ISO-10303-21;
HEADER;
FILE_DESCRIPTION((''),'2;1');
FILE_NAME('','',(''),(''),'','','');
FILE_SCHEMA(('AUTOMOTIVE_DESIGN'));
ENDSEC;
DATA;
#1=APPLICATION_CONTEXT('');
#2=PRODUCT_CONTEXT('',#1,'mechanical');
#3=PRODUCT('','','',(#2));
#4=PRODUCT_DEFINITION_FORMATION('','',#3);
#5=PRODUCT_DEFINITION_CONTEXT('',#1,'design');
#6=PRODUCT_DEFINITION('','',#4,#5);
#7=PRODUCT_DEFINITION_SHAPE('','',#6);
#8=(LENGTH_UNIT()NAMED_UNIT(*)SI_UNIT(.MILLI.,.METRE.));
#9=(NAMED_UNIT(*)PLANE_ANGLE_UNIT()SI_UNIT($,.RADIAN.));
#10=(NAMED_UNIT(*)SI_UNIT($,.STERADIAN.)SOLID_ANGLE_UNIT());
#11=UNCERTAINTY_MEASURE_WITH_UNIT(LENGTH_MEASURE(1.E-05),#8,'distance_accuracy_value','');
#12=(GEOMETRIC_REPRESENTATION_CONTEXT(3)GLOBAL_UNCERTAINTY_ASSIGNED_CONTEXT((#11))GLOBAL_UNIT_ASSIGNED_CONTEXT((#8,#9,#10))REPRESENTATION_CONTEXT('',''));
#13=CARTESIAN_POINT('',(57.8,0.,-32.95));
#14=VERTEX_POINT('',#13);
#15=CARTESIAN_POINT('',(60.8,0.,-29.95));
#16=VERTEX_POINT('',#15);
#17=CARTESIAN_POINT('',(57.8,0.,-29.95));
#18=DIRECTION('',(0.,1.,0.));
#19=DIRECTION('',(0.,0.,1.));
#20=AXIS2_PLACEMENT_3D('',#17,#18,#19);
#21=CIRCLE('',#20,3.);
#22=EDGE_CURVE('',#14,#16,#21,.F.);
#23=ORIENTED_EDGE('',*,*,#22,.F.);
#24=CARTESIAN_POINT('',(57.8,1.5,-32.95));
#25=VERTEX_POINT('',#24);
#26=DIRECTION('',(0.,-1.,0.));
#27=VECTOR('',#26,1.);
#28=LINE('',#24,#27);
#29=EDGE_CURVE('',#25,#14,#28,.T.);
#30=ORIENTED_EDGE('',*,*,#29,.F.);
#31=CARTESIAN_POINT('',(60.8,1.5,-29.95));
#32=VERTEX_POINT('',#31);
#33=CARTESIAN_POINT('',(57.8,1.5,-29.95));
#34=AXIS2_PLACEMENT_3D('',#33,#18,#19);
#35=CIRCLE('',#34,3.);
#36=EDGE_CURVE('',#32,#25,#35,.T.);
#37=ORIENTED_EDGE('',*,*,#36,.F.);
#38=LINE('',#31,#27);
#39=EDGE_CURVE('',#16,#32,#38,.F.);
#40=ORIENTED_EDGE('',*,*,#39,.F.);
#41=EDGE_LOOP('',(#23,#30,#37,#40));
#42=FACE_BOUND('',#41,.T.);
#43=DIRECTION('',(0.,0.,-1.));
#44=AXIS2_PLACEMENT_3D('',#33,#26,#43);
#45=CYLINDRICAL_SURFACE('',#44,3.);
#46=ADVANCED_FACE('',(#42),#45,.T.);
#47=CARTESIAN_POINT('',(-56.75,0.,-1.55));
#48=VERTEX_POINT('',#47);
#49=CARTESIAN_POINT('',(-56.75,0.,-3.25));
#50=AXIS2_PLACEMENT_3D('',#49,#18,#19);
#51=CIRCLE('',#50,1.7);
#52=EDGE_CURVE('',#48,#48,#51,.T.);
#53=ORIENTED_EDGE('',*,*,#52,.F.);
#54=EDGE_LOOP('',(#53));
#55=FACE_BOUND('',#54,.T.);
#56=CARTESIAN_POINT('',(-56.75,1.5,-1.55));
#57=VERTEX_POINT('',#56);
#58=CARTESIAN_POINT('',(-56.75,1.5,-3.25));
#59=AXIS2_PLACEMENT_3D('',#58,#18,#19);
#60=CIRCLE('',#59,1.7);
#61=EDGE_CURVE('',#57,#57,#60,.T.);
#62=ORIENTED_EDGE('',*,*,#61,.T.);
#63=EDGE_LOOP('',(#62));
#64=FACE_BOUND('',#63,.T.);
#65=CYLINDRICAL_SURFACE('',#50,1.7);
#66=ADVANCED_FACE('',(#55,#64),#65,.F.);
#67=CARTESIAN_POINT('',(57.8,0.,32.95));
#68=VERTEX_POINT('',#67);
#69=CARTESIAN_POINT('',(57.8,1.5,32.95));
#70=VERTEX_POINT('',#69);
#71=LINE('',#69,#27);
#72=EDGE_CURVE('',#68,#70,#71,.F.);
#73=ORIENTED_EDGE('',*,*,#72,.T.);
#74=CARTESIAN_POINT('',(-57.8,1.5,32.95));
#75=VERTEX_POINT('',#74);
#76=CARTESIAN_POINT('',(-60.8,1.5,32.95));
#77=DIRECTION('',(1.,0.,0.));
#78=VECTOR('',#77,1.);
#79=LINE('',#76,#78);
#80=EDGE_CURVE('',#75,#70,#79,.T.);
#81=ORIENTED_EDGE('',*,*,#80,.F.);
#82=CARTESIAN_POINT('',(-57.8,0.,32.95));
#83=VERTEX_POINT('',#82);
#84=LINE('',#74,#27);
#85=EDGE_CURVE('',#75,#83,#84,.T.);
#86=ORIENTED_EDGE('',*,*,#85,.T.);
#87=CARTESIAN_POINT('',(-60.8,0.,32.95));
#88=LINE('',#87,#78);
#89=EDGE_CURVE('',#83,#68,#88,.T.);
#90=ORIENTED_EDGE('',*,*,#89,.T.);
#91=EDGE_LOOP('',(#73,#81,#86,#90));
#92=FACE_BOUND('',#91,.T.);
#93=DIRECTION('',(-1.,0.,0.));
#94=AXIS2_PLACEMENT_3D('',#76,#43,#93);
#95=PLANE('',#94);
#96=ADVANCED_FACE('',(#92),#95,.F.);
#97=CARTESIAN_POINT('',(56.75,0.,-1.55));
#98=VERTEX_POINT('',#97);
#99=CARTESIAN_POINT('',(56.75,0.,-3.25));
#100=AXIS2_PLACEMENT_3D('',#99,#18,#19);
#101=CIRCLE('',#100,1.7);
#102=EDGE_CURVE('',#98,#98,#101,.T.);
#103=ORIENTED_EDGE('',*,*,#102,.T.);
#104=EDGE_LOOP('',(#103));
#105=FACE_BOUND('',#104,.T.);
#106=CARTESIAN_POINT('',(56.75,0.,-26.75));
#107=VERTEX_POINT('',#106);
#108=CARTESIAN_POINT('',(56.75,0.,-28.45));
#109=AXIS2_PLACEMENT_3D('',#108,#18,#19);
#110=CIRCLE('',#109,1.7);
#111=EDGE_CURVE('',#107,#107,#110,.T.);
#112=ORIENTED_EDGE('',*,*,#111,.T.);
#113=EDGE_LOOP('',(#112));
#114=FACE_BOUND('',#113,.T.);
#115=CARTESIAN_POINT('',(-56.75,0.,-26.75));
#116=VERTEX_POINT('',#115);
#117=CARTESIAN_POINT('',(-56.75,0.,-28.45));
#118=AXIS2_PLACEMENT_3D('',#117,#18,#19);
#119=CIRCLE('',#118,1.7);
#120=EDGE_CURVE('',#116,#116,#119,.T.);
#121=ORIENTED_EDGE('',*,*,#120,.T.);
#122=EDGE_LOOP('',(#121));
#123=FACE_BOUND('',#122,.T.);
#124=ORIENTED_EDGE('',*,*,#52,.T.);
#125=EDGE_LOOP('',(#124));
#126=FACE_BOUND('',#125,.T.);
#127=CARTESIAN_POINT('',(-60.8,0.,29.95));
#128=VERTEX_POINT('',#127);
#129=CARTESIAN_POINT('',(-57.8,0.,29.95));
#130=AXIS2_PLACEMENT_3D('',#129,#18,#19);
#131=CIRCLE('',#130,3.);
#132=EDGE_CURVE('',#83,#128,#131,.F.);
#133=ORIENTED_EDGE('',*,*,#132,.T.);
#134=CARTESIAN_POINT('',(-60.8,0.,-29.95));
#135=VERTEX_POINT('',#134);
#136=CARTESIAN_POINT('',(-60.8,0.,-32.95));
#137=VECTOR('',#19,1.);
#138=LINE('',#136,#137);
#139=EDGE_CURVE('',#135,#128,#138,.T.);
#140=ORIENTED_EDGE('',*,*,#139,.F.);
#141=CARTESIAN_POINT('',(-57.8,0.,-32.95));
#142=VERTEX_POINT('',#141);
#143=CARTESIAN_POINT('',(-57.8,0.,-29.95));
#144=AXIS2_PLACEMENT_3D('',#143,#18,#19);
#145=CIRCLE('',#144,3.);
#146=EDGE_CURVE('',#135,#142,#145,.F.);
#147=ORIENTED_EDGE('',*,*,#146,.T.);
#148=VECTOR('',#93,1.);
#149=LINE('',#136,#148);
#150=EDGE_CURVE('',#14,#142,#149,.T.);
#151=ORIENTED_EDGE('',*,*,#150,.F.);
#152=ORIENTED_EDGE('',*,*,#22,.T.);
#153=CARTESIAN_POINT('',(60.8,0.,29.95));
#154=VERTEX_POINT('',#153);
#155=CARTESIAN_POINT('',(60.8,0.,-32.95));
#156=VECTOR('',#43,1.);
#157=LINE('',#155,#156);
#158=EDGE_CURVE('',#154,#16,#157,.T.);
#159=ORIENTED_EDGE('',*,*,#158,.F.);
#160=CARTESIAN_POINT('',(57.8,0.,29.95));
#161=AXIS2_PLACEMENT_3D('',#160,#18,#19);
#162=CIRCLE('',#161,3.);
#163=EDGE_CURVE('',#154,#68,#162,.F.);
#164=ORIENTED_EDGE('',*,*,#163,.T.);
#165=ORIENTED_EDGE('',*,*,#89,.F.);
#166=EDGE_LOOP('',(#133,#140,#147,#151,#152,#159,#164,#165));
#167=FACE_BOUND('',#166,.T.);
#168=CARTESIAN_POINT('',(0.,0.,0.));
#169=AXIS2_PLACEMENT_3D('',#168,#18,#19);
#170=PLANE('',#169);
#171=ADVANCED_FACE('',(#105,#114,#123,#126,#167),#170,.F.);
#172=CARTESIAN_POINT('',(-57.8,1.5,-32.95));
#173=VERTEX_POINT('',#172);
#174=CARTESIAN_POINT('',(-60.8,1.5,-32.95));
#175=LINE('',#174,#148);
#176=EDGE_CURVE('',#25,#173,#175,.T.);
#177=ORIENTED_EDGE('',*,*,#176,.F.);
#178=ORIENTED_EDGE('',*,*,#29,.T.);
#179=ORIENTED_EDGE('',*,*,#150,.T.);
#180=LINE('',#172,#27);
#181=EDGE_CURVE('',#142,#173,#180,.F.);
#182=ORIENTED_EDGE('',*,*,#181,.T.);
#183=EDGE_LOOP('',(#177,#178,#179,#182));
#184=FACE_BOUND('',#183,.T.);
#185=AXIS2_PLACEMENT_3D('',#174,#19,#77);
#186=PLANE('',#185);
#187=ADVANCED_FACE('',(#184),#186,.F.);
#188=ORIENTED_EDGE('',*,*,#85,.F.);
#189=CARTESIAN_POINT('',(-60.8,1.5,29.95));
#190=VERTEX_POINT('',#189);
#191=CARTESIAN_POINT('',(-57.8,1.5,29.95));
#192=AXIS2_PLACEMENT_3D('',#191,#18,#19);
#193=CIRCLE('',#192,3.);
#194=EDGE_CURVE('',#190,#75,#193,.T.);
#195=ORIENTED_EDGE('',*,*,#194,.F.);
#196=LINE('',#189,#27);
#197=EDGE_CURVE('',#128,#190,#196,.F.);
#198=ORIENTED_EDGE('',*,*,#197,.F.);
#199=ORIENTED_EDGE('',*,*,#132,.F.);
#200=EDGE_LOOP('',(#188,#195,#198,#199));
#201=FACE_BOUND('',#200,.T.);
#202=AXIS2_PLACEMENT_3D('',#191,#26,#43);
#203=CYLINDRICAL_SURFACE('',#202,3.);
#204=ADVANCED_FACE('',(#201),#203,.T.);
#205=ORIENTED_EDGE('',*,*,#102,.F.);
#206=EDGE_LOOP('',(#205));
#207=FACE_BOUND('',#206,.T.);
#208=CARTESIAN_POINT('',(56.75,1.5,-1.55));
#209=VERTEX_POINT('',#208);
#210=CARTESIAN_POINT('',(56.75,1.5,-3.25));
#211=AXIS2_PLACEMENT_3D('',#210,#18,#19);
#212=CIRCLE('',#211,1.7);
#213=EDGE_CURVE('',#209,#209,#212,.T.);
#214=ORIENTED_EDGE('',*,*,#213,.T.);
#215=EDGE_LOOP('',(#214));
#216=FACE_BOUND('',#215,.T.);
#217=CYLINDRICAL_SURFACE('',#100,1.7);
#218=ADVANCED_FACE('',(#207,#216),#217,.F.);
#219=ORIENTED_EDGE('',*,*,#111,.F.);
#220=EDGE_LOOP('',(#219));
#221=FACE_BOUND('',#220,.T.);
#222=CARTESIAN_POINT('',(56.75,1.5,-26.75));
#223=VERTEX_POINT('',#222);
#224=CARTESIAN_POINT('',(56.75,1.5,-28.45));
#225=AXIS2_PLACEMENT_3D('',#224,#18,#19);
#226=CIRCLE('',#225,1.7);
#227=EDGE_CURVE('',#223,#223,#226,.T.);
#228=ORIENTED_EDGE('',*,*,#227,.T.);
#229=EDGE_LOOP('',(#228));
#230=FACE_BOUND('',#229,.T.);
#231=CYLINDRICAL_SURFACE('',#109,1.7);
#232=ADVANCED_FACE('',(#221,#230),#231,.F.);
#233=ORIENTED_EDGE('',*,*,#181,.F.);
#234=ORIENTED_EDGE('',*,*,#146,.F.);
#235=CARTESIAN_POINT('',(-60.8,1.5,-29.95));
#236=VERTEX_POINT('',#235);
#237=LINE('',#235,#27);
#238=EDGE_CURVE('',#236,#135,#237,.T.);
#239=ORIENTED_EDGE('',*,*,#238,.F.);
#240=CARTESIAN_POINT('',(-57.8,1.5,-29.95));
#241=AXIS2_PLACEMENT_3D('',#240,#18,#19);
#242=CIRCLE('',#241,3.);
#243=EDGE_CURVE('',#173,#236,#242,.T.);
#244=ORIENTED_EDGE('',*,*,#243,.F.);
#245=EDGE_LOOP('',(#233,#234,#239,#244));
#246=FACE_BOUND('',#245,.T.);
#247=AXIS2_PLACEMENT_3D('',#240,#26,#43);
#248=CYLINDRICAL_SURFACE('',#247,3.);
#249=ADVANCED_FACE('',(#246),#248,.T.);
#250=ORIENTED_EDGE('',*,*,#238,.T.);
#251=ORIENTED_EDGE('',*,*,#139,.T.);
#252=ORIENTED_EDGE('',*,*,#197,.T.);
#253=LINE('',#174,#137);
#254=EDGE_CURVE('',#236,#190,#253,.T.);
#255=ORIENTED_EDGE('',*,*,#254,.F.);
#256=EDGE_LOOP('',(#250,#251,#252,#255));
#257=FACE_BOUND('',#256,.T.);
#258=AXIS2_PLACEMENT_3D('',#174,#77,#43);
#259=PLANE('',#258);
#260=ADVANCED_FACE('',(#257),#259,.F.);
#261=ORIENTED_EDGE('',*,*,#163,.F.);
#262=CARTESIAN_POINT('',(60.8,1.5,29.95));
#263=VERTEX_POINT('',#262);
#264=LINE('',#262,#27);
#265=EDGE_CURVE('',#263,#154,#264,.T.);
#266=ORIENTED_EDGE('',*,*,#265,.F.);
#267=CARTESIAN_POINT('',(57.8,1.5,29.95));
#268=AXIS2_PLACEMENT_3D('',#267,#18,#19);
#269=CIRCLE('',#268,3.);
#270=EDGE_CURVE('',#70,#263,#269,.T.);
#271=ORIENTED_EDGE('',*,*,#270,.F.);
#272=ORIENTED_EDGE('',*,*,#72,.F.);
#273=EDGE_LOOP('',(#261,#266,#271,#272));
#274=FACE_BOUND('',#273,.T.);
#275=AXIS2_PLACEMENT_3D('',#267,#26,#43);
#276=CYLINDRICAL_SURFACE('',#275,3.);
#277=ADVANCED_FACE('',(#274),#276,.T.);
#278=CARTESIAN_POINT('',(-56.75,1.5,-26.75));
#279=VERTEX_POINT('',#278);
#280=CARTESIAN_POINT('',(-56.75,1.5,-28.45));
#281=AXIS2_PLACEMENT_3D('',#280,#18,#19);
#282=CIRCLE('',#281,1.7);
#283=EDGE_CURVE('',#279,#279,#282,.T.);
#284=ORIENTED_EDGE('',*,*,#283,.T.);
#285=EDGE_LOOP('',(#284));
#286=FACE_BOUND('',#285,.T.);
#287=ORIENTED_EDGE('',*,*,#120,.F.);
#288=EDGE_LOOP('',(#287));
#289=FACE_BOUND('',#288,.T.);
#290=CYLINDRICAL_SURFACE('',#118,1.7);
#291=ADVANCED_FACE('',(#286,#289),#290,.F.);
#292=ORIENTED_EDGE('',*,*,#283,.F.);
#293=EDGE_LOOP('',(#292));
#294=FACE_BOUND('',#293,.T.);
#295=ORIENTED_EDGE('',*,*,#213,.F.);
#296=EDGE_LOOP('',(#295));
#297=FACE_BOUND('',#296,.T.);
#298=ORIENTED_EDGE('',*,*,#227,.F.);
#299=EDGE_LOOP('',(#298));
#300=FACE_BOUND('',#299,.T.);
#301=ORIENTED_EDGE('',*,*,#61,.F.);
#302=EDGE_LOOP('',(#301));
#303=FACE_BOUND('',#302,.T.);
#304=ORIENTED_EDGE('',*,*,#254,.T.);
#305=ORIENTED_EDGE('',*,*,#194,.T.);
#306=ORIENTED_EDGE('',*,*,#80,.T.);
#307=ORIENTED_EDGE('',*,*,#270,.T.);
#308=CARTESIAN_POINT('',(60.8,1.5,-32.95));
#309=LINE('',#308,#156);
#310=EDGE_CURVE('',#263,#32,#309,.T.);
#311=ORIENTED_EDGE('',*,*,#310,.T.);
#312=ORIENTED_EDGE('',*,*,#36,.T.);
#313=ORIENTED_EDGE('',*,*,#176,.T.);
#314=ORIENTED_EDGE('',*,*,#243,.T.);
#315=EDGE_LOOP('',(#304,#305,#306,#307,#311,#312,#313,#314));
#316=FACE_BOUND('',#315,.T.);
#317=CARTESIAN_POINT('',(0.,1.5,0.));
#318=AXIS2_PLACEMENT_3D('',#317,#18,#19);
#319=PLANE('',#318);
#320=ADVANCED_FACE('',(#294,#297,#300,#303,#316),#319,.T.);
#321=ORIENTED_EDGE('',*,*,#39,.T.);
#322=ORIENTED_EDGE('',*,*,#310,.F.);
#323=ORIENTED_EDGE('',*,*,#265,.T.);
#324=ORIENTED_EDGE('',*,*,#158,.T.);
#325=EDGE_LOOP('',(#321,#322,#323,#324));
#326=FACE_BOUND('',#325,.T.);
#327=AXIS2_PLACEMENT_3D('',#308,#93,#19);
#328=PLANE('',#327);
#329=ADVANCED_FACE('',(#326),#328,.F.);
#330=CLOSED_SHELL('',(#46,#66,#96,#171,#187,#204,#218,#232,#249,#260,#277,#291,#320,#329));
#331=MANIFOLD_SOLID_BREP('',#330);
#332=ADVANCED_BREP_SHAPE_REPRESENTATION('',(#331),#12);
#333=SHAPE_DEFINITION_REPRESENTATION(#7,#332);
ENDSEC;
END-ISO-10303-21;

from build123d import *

# Parameters (mm, degrees)
ESQUISSE1_W             = 121.6
ESQUISSE1_H             = 65.9
BOSS_EXTRU_1_DEPTH      = 1.5
CONG_1_R                = 3
ESQUISSE2_R             = 1.7
ENL_V_MAT_EXTRU_1_DEPTH = 70.170748876


with BuildPart() as part:
    # Esquisse1 → Boss.-Extru.1 (new body)
    with BuildSketch(Plane(origin=(0, 0, 0), x_dir=(1, 0, 0), z_dir=(0, 1, 0))):
        Rectangle(ESQUISSE1_W, ESQUISSE1_H)
    extrude(amount=BOSS_EXTRU_1_DEPTH)

    # Congé1
    cong_1_edges = [part.edges().sort_by_distance(p)[0] for p in [
        (60.8, 0.75, 32.95),
        (-60.8, 0.75, 32.95),
        (-60.8, 0.75, -32.95),
        (60.8, 0.75, -32.95),
    ]]
    fillet(cong_1_edges, radius=CONG_1_R)

    # Esquisse2 → Enlèv. mat.-Extru.1 (cut, through all)
    with BuildSketch(Plane(origin=(0, 1.5, 0), x_dir=(1, 0, 0), z_dir=(0, 1, 0))):
        with Locations(Location((-56.75, 28.45, 0), (0, 0, 270))):
            Circle(ESQUISSE2_R)
        with Locations(Location((-56.75, 3.25, 0), (0, 0, 270))):
            Circle(ESQUISSE2_R)
        with Locations(Location((56.75, 28.45, 0), (0, 0, 270))):
            Circle(ESQUISSE2_R)
        with Locations(Location((56.75, 3.25, 0), (0, 0, 270))):
            Circle(ESQUISSE2_R)
    extrude(amount=-ENL_V_MAT_EXTRU_1_DEPTH, mode=Mode.SUBTRACT)


solid = part.part
